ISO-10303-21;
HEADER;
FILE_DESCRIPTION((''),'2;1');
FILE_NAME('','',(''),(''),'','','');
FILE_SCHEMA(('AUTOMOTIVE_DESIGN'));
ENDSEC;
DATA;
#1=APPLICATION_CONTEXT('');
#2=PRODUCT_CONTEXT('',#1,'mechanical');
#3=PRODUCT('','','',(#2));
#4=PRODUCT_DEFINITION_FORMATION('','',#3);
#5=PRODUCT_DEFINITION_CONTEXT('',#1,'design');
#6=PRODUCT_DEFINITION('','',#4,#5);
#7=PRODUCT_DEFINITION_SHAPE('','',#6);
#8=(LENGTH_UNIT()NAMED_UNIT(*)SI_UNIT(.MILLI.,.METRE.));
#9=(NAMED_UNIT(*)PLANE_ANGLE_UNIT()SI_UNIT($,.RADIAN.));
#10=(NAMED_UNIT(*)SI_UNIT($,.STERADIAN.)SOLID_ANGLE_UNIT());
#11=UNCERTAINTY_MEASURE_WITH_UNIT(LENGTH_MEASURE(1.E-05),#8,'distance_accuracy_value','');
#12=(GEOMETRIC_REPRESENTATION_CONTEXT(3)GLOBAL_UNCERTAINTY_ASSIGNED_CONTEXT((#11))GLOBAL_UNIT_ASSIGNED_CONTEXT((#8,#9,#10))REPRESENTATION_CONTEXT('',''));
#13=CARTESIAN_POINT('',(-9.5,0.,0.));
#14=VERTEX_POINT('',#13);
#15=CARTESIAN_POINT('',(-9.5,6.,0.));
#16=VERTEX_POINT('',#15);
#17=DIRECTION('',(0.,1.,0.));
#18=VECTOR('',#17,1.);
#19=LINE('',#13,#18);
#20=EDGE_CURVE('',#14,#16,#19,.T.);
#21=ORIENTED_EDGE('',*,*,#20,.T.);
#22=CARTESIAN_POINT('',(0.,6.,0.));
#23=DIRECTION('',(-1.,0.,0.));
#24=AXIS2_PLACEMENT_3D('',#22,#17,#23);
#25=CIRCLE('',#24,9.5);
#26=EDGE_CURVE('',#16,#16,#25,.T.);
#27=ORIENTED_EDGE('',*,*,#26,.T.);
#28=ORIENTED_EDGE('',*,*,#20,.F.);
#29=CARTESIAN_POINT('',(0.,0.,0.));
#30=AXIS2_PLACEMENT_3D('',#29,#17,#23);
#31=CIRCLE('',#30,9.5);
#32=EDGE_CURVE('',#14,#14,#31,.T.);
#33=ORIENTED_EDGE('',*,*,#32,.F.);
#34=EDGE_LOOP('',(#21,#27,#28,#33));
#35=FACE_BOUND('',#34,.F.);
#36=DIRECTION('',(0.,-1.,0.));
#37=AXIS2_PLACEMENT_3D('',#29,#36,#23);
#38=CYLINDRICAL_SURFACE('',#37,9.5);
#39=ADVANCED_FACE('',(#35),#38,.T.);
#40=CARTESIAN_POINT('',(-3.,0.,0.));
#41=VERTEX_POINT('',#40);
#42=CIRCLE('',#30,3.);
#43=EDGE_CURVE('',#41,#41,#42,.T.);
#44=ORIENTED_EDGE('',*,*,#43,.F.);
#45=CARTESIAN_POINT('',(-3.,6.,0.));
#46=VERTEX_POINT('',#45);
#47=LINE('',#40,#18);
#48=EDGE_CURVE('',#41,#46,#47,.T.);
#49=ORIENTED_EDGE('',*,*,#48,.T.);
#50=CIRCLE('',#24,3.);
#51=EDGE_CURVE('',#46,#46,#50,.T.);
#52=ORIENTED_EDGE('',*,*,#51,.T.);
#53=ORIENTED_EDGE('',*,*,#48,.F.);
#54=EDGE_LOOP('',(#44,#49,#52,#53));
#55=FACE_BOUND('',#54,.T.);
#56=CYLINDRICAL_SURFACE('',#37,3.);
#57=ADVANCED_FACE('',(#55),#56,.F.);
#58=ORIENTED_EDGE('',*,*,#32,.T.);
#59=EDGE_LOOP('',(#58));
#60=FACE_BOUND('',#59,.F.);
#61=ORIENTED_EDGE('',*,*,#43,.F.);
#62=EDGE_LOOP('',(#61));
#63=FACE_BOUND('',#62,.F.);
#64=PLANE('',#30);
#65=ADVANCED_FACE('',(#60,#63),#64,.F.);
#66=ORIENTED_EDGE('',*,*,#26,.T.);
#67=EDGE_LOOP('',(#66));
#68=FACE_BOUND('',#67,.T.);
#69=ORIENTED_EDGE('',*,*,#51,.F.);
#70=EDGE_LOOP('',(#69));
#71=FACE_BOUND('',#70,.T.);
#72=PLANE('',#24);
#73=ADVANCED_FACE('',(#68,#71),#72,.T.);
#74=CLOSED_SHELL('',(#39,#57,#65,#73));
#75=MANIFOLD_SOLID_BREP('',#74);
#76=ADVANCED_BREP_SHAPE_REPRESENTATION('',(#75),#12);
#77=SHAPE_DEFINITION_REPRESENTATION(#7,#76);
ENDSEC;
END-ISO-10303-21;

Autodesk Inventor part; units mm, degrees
ref_plane "YZ Plane" through (0, 0, 0) normal (1, 0, 0) x (0, 1, 0)
ref_plane "XZ Plane" through (0, 0, 0) normal (0, 1, 0) x (-1, 0, 0)
ref_plane "XY Plane" through (0, 0, 0) normal (0, 0, 1) x (1, 0, 0)
sketch "Esquisse1" plane through (0, 0, 0) normal (0, 1, 0) x (-1, 0, 0)
  circle A0 centre (0, 0) radius 3
  circle A1 centre (0, 0) radius 9.5
  dimension "d0" = 19
  dimension "d1" = 6
extrude "Extrusion1" add sketch "Esquisse1" along normal blind 6
properties part number "roulement_6mm"
